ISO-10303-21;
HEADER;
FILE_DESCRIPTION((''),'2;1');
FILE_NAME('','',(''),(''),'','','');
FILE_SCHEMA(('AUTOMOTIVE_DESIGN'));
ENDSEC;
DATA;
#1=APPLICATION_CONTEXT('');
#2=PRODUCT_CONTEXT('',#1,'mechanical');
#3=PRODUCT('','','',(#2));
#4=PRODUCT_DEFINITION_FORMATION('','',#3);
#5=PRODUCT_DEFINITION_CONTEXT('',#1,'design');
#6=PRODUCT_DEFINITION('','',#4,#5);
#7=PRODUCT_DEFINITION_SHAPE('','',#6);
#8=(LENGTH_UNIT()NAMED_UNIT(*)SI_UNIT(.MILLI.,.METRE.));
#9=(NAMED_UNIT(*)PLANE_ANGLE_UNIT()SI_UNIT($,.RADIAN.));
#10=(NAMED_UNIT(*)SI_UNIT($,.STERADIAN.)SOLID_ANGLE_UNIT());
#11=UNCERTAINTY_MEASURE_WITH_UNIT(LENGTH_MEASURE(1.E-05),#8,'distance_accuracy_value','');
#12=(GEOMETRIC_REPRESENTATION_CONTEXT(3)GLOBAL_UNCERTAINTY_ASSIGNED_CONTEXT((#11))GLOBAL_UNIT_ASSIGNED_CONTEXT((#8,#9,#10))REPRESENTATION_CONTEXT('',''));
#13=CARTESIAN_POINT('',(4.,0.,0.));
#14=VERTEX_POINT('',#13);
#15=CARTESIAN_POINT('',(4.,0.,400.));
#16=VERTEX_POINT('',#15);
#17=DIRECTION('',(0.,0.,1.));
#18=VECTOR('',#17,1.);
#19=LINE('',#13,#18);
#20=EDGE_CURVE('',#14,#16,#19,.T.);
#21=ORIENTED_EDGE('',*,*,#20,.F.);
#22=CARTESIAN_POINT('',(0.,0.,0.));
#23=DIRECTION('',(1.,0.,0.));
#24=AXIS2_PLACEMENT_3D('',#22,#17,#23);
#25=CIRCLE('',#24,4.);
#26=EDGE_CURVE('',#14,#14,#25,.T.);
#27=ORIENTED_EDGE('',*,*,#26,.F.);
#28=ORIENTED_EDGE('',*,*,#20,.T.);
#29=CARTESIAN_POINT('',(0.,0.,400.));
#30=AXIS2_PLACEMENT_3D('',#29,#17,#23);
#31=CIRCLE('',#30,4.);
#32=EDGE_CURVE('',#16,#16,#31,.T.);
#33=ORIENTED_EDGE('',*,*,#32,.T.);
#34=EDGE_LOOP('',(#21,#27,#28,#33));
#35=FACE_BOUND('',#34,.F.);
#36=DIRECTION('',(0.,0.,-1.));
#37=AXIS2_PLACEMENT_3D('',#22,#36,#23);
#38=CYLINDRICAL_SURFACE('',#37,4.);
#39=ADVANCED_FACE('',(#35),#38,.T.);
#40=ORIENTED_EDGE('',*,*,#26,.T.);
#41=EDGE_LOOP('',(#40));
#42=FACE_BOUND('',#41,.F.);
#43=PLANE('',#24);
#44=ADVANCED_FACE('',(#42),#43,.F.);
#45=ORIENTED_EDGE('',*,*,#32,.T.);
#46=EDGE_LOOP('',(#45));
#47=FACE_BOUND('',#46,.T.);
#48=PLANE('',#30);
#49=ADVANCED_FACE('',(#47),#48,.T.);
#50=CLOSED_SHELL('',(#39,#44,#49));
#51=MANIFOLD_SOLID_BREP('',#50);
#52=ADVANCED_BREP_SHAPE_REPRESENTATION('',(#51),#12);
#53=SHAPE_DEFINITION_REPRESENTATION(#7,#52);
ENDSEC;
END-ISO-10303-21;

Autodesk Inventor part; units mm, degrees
ref_plane "YZ Plane" through (0, 0, 0) normal (1, 0, 0) x (0, 1, 0)
ref_plane "XZ Plane" through (0, 0, 0) normal (0, 1, 0) x (-1, 0, 0)
ref_plane "XY Plane" through (0, 0, 0) normal (0, 0, 1) x (1, 0, 0)
sketch "Sketch1" plane through (0, 0, 0) normal (0, 0, 1) x (1, 0, 0)
  circle A0 centre (0, 0) radius 4
  dimension "d0" = 400
extrude "Extrusion1" add sketch "Sketch1" along normal blind 400
